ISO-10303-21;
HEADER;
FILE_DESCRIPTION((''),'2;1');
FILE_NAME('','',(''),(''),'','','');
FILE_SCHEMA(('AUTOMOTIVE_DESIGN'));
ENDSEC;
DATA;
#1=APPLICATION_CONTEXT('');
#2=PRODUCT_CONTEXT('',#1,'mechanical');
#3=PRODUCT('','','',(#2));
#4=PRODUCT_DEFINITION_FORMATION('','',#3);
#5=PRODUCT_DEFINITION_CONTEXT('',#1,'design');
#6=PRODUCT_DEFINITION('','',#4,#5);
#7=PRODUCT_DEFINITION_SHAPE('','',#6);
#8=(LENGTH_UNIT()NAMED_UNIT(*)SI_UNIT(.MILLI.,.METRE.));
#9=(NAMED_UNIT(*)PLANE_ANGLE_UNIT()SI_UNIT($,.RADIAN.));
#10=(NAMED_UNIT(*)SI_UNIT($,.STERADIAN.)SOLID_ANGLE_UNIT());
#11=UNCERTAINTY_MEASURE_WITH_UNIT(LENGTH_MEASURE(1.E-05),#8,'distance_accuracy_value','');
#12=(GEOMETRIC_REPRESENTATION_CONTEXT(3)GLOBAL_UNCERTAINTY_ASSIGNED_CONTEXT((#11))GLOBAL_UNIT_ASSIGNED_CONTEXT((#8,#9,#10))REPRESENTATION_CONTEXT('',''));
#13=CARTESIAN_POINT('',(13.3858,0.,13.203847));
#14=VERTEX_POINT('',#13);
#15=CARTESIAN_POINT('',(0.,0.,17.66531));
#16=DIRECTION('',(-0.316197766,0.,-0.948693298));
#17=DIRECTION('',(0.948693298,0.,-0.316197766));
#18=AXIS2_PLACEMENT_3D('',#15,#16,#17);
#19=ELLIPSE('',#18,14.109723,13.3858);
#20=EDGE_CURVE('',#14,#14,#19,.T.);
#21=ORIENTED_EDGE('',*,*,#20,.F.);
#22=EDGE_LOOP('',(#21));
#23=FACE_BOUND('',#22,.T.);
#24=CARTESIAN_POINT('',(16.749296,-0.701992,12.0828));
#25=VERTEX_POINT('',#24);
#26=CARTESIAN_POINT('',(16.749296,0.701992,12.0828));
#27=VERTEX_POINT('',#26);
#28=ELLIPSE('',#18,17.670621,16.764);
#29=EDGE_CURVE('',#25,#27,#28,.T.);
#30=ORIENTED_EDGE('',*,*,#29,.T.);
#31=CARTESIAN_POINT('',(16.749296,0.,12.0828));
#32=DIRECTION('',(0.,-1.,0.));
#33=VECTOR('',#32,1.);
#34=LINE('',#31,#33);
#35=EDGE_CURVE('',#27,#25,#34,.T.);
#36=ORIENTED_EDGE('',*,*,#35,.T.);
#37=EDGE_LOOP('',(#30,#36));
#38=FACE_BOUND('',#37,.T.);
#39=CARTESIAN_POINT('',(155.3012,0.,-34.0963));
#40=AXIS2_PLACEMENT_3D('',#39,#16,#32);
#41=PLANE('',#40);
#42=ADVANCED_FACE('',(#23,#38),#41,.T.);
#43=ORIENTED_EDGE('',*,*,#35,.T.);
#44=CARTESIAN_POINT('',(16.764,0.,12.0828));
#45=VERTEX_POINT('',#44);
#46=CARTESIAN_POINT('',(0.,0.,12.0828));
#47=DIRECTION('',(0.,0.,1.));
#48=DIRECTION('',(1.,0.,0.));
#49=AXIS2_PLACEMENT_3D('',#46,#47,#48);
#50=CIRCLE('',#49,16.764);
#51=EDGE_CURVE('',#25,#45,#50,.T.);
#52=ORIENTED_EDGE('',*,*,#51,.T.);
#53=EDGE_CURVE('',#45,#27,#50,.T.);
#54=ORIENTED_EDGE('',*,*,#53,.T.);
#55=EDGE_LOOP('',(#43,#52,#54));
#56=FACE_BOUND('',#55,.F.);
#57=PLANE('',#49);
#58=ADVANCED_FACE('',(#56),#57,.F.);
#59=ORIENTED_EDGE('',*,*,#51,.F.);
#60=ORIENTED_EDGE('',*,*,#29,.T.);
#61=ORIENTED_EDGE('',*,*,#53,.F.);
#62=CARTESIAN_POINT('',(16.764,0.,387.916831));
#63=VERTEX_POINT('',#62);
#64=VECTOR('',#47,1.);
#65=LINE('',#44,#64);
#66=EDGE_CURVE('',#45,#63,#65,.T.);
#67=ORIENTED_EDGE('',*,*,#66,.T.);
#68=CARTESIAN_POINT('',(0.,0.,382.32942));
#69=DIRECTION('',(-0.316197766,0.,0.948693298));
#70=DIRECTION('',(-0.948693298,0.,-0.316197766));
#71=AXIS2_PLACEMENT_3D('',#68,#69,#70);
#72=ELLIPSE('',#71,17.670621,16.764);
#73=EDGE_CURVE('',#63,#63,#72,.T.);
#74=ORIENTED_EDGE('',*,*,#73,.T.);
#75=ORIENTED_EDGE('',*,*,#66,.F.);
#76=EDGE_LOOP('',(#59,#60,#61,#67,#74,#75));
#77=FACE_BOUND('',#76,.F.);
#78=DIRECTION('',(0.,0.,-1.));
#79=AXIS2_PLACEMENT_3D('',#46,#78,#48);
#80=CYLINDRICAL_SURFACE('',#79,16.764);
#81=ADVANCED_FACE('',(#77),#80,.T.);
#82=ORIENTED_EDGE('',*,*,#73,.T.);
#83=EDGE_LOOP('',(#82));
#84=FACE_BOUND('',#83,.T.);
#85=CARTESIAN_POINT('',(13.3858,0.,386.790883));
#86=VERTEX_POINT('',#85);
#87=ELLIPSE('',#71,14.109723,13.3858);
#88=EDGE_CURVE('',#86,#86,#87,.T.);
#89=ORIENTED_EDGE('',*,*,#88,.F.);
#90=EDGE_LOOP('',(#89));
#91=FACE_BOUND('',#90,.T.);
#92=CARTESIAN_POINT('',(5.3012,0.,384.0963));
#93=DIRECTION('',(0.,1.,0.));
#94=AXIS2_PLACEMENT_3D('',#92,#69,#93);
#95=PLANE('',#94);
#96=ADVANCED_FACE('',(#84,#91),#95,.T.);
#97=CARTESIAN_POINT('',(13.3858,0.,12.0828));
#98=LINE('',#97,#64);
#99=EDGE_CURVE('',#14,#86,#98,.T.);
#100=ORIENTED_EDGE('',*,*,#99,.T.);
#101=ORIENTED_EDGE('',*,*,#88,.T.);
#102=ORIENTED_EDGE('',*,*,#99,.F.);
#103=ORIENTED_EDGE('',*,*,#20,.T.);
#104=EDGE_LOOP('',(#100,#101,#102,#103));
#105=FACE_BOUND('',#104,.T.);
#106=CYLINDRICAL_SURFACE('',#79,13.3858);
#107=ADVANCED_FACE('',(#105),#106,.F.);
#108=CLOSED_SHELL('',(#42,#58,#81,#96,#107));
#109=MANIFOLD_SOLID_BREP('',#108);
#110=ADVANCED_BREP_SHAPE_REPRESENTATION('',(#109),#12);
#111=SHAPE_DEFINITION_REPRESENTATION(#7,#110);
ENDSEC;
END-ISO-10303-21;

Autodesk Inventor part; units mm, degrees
ref_plane "Start plane" through (0, 0, 12.0828) normal (0, 0, 1) x (1, 0, 0)
ref_plane "End plane" through (0, 0, 387.9172) normal (0, 0, 1) x (1, 0, 0)
sketch "Sketch" plane through (0, 0, 0) normal (0, 0, 1) x (1, 0, 0)
  circle A0 centre (0, 0) radius 13.3858
  circle A1 centre (0, 0) radius 16.764
  dimension "d0" = 33.528
  dimension "d1" = 3.3782
extrude "Body" add sketch "Sketch" along normal up to surface (375.8344 mm away) from surface at 12.0828
sketch "Sketch3" plane through (0, 0, 0) normal (0, 0, 1) x (1, 0, 0)
  line L0 (0, 0) -> (10, 0)
ref_plane "Work Plane3" through (0, 0, 0) normal (0, -1, 0) x (1, 0, 0)
ref_plane "Work Plane4" through (5.3012, 0, 384.0963) normal (-0.3162, 0, 0.9487) x (0.9487, 0, 0.3162)
split "Split1" plane through (5.3012, 0, 384.0963) removes the side toward (-0.3162, 0, 0.9487)
ref_plane "Work Plane5" through (155.3012, 0, -34.0963) normal (-0.3162, 0, -0.9487) x (-0.9487, 0, 0.3162)
split "Split2" plane through (155.3012, 0, -34.0963) removes the side toward (-0.3162, 0, -0.9487)
sketch "Sketch4" plane through (0, 0, 0) normal (0, -1, 0) x (1, 0, 0)
  line L0 (-2, 12.0828) -> (12, 12.0828) projected
  line L1 (-2, 387.9172) -> (12, 387.9172) projected
  dimension "d7" = 375.8344
equation "\"d0\" = G_H"
equation "\"d1\" = G_T"
equation "\"d2\" = G_L"
equation "\"G_H\" = 33.528"
equation "\"G_T\" = 3.3782"
equation "\"G_L\" = d7"
equation "\"G_OFFSET_START\" = -12.08281"
equation "\"G_OFFSET_END\" = -12.08281"
equation "\"d4\" = -G_OFFSET_START"
equation "\"d5\" = G_OFFSET_END + B_L"
equation "\"B_L\" = 400"
properties part number "ANSI - 1 x 0.133 - 14.797" material "Steel, Mild"
